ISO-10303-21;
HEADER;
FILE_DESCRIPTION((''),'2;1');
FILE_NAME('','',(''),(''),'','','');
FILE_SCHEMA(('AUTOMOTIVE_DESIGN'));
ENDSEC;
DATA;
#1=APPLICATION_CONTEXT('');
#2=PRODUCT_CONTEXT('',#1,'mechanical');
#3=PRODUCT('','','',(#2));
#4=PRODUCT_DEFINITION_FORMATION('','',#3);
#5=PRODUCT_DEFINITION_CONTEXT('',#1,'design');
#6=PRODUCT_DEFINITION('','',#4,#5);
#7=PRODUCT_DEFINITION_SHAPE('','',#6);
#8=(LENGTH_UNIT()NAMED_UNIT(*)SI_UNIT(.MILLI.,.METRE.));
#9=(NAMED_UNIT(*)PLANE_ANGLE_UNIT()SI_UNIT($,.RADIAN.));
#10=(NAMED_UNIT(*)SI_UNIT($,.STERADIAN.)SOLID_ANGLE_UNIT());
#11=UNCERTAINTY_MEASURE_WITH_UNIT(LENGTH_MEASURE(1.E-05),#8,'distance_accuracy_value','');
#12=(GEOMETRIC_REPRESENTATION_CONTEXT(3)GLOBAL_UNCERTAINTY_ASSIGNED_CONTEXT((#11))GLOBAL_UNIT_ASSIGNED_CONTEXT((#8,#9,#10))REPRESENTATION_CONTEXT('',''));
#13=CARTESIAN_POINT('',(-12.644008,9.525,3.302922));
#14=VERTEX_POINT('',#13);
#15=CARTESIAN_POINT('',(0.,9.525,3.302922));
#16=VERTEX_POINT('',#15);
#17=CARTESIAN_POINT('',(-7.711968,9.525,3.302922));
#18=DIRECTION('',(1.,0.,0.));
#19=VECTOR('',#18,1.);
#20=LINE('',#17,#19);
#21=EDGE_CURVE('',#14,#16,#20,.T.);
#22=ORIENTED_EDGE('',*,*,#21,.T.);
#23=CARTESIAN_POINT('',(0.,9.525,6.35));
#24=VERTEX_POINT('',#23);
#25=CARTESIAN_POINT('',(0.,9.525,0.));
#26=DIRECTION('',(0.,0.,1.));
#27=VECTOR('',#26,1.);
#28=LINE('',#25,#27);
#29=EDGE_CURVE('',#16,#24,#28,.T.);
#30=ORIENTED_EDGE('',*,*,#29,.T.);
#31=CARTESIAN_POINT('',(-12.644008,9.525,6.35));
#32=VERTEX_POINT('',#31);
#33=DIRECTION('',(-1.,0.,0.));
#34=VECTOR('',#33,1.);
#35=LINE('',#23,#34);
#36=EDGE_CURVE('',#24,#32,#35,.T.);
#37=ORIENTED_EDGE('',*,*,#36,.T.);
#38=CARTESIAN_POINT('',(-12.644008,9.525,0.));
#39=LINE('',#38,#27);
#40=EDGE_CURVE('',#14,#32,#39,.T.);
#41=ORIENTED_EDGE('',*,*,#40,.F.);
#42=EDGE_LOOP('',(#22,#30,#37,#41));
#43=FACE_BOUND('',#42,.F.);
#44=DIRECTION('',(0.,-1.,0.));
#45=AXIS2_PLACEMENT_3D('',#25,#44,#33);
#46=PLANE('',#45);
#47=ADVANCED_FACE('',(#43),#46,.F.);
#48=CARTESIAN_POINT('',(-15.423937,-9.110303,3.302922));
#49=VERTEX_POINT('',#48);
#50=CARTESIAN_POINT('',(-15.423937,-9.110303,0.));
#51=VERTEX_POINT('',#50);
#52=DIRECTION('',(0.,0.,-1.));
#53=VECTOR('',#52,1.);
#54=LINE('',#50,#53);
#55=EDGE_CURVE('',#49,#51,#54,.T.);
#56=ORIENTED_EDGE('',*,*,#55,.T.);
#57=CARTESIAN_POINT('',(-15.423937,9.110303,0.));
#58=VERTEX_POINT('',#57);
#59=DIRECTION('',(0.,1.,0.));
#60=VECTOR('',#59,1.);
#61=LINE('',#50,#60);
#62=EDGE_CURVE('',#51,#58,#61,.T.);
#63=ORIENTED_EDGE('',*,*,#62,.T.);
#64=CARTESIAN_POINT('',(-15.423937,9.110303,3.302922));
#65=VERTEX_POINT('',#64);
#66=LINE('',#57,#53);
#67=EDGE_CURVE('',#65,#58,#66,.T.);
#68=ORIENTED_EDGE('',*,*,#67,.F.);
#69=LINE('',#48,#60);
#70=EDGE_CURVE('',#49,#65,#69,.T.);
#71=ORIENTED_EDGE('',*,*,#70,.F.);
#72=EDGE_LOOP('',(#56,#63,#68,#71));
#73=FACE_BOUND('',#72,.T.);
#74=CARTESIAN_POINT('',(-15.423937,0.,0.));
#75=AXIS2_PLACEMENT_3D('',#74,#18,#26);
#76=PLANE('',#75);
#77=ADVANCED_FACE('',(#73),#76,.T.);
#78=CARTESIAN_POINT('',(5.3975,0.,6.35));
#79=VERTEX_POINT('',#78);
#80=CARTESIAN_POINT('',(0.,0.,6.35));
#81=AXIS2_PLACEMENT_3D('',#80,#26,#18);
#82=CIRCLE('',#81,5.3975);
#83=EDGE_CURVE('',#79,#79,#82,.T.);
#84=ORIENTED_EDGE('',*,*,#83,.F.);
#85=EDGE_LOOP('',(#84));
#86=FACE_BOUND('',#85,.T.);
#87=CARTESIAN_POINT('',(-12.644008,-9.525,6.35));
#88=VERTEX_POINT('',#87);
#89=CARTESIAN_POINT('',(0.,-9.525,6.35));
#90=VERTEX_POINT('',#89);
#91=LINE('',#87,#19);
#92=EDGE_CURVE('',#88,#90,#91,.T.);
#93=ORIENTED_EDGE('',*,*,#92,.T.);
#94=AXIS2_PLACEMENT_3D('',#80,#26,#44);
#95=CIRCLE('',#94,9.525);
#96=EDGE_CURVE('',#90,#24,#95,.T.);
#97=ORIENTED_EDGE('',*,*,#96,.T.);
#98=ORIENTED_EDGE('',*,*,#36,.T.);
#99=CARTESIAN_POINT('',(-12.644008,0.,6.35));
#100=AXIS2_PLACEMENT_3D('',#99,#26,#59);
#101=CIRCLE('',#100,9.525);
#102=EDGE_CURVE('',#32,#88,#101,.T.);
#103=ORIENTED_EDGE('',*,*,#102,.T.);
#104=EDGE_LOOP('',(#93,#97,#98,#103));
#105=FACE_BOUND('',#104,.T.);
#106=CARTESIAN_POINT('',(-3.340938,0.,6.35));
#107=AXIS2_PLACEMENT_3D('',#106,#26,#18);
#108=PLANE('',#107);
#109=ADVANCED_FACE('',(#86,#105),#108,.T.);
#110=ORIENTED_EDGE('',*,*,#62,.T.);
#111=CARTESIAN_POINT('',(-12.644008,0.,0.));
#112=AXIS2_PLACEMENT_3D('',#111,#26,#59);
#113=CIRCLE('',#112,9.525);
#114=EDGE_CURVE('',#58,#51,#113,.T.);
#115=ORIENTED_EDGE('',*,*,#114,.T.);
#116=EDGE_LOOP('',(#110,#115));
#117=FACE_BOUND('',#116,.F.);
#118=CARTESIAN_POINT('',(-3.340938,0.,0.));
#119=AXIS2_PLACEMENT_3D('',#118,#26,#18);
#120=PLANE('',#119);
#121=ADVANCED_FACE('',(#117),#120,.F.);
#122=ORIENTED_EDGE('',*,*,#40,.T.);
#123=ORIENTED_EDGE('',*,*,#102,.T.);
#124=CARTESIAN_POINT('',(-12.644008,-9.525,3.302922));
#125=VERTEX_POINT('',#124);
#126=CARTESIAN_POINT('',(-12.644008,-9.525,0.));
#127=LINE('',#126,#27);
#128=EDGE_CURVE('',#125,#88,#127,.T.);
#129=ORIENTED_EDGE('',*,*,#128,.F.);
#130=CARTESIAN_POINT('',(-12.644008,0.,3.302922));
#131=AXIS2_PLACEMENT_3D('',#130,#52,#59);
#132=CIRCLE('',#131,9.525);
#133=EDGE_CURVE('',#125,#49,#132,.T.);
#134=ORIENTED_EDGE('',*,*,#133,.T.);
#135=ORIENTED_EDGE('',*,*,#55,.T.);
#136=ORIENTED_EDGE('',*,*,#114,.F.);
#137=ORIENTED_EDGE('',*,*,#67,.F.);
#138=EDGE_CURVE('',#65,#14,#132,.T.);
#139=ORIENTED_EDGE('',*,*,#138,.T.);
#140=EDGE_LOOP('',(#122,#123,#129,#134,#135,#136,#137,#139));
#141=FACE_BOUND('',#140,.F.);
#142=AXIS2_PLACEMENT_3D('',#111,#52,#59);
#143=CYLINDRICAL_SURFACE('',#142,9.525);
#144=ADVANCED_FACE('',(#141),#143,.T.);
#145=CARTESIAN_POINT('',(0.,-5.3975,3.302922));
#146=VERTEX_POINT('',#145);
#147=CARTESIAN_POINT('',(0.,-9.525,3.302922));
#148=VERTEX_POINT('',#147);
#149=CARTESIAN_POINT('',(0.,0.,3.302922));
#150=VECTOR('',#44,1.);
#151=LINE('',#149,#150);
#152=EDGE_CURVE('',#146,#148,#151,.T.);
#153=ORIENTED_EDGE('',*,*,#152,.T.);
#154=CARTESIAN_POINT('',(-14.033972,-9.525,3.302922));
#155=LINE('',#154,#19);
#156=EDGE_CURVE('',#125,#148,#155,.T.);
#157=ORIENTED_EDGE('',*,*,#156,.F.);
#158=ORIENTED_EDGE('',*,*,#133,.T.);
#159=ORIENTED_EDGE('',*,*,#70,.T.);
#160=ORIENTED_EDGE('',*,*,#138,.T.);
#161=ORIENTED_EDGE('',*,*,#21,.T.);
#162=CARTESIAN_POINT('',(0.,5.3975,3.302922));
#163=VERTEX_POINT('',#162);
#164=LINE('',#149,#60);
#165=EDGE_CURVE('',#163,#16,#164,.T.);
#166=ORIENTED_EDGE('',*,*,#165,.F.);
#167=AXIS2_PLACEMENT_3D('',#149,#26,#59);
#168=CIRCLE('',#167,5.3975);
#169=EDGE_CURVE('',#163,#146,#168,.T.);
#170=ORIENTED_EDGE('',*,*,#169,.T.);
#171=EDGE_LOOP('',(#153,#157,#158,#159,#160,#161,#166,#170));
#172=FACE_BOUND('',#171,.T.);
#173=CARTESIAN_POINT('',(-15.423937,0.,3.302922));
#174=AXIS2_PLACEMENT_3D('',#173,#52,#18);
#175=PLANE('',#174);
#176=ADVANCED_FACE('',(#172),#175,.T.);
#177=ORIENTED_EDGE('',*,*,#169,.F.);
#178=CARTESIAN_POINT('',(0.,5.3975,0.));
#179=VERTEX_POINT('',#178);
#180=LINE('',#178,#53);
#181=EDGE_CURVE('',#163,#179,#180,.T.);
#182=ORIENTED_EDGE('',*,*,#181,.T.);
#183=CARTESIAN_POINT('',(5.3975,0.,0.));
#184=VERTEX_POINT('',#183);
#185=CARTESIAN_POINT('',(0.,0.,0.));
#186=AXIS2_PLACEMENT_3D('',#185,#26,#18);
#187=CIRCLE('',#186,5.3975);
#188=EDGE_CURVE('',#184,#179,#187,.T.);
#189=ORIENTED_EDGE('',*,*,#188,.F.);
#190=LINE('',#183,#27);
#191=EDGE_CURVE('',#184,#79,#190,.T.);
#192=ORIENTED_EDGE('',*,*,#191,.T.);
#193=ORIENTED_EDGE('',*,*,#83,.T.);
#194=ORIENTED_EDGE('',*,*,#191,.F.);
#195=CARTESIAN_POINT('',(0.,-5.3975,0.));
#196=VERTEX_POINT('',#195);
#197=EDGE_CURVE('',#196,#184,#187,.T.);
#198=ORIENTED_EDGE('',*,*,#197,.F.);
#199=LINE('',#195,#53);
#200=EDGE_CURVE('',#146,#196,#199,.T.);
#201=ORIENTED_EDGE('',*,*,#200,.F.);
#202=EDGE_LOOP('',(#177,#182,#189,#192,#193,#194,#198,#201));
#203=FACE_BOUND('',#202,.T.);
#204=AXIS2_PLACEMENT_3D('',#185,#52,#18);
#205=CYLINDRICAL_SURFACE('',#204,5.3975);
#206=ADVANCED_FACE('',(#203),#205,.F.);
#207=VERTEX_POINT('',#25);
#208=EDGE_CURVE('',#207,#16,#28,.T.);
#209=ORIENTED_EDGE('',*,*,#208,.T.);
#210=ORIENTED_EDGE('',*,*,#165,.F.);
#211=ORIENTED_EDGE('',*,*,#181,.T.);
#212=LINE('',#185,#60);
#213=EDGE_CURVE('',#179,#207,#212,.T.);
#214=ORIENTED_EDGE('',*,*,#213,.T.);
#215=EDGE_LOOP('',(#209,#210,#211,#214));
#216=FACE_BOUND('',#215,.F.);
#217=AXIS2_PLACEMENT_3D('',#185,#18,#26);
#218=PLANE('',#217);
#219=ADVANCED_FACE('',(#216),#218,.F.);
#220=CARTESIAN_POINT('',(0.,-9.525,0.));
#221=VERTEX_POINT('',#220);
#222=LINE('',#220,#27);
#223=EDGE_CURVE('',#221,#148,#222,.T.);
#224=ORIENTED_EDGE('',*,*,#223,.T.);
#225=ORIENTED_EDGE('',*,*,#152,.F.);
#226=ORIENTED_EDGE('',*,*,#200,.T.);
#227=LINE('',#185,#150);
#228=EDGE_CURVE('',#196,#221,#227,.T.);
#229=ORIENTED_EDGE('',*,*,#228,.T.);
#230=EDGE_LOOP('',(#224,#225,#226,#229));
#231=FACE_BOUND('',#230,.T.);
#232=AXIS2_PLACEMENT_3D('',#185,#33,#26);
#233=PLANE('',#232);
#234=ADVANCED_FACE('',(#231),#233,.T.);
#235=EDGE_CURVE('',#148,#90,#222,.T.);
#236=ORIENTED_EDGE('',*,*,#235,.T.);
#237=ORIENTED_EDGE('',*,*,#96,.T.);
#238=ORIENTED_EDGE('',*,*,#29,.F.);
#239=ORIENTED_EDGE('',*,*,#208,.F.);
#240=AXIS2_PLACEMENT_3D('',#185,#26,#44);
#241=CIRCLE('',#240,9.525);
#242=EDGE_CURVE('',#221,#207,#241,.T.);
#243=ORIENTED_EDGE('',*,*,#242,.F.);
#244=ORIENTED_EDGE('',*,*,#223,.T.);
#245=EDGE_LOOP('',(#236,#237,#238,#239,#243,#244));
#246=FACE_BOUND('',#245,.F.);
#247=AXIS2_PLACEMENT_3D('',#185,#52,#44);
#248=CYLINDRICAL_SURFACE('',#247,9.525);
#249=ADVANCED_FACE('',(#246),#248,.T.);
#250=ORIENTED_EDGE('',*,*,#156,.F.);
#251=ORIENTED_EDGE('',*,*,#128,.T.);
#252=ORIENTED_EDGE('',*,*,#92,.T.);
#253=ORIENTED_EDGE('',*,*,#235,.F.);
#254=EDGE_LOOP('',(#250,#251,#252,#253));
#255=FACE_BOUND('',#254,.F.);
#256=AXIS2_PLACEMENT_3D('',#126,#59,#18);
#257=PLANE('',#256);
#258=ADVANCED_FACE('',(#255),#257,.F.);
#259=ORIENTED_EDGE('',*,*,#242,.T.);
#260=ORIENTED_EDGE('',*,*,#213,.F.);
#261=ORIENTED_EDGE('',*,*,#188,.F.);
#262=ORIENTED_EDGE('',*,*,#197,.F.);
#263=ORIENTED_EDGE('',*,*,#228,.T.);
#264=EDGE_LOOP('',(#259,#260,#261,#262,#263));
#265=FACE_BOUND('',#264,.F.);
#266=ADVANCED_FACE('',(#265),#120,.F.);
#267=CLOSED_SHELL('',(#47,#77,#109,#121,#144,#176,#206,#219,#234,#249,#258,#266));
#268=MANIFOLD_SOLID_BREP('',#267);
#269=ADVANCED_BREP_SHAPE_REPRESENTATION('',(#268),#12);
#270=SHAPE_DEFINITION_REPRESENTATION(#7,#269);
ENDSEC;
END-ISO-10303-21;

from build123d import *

# Parameters (mm, degrees)
F0_R          = 5.3975
F1_DEPTH      = 6.35
F2_W          = 15.4239367694
F2_H          = 3.302921541
F3_DEPTH      = 25.4
F3_DEPTH_BACK = 25.4


with BuildPart() as f1:
    # F0 (on Top) → F1 (new body)
    with BuildSketch(Plane.XY):
        with BuildLine():
            Line((0, 9.525), (-12.6440079791, 9.525))
            Line((-12.6440079791, 9.525), (-12.6440079791, -9.525))
            Line((-12.6440079791, -9.525), (0, -9.525))
            ThreePointArc((0, -9.525), (9.525, 0), (0, 9.525))
        make_face()
        Circle(F0_R, mode=Mode.SUBTRACT)
        with BuildLine():
            Line((-12.6440079791, -9.525), (-12.6440079791, 9.525))
            ThreePointArc((-12.6440079791, 9.525), (-22.1690079791, 0), (-12.6440079791, -9.525))
        make_face()
    extrude(amount=F1_DEPTH)

    # F2 (on Front) → F3 (cut, two sides)
    with BuildSketch(Plane.XZ) as f3_sk:
        with Locations((-7.7119683847, 1.6514607705)):
            Rectangle(F2_W, F2_H)
    extrude(amount=-F3_DEPTH, mode=Mode.SUBTRACT)
    extrude(f3_sk.sketch, amount=F3_DEPTH_BACK, mode=Mode.SUBTRACT)


solid = f1.part
